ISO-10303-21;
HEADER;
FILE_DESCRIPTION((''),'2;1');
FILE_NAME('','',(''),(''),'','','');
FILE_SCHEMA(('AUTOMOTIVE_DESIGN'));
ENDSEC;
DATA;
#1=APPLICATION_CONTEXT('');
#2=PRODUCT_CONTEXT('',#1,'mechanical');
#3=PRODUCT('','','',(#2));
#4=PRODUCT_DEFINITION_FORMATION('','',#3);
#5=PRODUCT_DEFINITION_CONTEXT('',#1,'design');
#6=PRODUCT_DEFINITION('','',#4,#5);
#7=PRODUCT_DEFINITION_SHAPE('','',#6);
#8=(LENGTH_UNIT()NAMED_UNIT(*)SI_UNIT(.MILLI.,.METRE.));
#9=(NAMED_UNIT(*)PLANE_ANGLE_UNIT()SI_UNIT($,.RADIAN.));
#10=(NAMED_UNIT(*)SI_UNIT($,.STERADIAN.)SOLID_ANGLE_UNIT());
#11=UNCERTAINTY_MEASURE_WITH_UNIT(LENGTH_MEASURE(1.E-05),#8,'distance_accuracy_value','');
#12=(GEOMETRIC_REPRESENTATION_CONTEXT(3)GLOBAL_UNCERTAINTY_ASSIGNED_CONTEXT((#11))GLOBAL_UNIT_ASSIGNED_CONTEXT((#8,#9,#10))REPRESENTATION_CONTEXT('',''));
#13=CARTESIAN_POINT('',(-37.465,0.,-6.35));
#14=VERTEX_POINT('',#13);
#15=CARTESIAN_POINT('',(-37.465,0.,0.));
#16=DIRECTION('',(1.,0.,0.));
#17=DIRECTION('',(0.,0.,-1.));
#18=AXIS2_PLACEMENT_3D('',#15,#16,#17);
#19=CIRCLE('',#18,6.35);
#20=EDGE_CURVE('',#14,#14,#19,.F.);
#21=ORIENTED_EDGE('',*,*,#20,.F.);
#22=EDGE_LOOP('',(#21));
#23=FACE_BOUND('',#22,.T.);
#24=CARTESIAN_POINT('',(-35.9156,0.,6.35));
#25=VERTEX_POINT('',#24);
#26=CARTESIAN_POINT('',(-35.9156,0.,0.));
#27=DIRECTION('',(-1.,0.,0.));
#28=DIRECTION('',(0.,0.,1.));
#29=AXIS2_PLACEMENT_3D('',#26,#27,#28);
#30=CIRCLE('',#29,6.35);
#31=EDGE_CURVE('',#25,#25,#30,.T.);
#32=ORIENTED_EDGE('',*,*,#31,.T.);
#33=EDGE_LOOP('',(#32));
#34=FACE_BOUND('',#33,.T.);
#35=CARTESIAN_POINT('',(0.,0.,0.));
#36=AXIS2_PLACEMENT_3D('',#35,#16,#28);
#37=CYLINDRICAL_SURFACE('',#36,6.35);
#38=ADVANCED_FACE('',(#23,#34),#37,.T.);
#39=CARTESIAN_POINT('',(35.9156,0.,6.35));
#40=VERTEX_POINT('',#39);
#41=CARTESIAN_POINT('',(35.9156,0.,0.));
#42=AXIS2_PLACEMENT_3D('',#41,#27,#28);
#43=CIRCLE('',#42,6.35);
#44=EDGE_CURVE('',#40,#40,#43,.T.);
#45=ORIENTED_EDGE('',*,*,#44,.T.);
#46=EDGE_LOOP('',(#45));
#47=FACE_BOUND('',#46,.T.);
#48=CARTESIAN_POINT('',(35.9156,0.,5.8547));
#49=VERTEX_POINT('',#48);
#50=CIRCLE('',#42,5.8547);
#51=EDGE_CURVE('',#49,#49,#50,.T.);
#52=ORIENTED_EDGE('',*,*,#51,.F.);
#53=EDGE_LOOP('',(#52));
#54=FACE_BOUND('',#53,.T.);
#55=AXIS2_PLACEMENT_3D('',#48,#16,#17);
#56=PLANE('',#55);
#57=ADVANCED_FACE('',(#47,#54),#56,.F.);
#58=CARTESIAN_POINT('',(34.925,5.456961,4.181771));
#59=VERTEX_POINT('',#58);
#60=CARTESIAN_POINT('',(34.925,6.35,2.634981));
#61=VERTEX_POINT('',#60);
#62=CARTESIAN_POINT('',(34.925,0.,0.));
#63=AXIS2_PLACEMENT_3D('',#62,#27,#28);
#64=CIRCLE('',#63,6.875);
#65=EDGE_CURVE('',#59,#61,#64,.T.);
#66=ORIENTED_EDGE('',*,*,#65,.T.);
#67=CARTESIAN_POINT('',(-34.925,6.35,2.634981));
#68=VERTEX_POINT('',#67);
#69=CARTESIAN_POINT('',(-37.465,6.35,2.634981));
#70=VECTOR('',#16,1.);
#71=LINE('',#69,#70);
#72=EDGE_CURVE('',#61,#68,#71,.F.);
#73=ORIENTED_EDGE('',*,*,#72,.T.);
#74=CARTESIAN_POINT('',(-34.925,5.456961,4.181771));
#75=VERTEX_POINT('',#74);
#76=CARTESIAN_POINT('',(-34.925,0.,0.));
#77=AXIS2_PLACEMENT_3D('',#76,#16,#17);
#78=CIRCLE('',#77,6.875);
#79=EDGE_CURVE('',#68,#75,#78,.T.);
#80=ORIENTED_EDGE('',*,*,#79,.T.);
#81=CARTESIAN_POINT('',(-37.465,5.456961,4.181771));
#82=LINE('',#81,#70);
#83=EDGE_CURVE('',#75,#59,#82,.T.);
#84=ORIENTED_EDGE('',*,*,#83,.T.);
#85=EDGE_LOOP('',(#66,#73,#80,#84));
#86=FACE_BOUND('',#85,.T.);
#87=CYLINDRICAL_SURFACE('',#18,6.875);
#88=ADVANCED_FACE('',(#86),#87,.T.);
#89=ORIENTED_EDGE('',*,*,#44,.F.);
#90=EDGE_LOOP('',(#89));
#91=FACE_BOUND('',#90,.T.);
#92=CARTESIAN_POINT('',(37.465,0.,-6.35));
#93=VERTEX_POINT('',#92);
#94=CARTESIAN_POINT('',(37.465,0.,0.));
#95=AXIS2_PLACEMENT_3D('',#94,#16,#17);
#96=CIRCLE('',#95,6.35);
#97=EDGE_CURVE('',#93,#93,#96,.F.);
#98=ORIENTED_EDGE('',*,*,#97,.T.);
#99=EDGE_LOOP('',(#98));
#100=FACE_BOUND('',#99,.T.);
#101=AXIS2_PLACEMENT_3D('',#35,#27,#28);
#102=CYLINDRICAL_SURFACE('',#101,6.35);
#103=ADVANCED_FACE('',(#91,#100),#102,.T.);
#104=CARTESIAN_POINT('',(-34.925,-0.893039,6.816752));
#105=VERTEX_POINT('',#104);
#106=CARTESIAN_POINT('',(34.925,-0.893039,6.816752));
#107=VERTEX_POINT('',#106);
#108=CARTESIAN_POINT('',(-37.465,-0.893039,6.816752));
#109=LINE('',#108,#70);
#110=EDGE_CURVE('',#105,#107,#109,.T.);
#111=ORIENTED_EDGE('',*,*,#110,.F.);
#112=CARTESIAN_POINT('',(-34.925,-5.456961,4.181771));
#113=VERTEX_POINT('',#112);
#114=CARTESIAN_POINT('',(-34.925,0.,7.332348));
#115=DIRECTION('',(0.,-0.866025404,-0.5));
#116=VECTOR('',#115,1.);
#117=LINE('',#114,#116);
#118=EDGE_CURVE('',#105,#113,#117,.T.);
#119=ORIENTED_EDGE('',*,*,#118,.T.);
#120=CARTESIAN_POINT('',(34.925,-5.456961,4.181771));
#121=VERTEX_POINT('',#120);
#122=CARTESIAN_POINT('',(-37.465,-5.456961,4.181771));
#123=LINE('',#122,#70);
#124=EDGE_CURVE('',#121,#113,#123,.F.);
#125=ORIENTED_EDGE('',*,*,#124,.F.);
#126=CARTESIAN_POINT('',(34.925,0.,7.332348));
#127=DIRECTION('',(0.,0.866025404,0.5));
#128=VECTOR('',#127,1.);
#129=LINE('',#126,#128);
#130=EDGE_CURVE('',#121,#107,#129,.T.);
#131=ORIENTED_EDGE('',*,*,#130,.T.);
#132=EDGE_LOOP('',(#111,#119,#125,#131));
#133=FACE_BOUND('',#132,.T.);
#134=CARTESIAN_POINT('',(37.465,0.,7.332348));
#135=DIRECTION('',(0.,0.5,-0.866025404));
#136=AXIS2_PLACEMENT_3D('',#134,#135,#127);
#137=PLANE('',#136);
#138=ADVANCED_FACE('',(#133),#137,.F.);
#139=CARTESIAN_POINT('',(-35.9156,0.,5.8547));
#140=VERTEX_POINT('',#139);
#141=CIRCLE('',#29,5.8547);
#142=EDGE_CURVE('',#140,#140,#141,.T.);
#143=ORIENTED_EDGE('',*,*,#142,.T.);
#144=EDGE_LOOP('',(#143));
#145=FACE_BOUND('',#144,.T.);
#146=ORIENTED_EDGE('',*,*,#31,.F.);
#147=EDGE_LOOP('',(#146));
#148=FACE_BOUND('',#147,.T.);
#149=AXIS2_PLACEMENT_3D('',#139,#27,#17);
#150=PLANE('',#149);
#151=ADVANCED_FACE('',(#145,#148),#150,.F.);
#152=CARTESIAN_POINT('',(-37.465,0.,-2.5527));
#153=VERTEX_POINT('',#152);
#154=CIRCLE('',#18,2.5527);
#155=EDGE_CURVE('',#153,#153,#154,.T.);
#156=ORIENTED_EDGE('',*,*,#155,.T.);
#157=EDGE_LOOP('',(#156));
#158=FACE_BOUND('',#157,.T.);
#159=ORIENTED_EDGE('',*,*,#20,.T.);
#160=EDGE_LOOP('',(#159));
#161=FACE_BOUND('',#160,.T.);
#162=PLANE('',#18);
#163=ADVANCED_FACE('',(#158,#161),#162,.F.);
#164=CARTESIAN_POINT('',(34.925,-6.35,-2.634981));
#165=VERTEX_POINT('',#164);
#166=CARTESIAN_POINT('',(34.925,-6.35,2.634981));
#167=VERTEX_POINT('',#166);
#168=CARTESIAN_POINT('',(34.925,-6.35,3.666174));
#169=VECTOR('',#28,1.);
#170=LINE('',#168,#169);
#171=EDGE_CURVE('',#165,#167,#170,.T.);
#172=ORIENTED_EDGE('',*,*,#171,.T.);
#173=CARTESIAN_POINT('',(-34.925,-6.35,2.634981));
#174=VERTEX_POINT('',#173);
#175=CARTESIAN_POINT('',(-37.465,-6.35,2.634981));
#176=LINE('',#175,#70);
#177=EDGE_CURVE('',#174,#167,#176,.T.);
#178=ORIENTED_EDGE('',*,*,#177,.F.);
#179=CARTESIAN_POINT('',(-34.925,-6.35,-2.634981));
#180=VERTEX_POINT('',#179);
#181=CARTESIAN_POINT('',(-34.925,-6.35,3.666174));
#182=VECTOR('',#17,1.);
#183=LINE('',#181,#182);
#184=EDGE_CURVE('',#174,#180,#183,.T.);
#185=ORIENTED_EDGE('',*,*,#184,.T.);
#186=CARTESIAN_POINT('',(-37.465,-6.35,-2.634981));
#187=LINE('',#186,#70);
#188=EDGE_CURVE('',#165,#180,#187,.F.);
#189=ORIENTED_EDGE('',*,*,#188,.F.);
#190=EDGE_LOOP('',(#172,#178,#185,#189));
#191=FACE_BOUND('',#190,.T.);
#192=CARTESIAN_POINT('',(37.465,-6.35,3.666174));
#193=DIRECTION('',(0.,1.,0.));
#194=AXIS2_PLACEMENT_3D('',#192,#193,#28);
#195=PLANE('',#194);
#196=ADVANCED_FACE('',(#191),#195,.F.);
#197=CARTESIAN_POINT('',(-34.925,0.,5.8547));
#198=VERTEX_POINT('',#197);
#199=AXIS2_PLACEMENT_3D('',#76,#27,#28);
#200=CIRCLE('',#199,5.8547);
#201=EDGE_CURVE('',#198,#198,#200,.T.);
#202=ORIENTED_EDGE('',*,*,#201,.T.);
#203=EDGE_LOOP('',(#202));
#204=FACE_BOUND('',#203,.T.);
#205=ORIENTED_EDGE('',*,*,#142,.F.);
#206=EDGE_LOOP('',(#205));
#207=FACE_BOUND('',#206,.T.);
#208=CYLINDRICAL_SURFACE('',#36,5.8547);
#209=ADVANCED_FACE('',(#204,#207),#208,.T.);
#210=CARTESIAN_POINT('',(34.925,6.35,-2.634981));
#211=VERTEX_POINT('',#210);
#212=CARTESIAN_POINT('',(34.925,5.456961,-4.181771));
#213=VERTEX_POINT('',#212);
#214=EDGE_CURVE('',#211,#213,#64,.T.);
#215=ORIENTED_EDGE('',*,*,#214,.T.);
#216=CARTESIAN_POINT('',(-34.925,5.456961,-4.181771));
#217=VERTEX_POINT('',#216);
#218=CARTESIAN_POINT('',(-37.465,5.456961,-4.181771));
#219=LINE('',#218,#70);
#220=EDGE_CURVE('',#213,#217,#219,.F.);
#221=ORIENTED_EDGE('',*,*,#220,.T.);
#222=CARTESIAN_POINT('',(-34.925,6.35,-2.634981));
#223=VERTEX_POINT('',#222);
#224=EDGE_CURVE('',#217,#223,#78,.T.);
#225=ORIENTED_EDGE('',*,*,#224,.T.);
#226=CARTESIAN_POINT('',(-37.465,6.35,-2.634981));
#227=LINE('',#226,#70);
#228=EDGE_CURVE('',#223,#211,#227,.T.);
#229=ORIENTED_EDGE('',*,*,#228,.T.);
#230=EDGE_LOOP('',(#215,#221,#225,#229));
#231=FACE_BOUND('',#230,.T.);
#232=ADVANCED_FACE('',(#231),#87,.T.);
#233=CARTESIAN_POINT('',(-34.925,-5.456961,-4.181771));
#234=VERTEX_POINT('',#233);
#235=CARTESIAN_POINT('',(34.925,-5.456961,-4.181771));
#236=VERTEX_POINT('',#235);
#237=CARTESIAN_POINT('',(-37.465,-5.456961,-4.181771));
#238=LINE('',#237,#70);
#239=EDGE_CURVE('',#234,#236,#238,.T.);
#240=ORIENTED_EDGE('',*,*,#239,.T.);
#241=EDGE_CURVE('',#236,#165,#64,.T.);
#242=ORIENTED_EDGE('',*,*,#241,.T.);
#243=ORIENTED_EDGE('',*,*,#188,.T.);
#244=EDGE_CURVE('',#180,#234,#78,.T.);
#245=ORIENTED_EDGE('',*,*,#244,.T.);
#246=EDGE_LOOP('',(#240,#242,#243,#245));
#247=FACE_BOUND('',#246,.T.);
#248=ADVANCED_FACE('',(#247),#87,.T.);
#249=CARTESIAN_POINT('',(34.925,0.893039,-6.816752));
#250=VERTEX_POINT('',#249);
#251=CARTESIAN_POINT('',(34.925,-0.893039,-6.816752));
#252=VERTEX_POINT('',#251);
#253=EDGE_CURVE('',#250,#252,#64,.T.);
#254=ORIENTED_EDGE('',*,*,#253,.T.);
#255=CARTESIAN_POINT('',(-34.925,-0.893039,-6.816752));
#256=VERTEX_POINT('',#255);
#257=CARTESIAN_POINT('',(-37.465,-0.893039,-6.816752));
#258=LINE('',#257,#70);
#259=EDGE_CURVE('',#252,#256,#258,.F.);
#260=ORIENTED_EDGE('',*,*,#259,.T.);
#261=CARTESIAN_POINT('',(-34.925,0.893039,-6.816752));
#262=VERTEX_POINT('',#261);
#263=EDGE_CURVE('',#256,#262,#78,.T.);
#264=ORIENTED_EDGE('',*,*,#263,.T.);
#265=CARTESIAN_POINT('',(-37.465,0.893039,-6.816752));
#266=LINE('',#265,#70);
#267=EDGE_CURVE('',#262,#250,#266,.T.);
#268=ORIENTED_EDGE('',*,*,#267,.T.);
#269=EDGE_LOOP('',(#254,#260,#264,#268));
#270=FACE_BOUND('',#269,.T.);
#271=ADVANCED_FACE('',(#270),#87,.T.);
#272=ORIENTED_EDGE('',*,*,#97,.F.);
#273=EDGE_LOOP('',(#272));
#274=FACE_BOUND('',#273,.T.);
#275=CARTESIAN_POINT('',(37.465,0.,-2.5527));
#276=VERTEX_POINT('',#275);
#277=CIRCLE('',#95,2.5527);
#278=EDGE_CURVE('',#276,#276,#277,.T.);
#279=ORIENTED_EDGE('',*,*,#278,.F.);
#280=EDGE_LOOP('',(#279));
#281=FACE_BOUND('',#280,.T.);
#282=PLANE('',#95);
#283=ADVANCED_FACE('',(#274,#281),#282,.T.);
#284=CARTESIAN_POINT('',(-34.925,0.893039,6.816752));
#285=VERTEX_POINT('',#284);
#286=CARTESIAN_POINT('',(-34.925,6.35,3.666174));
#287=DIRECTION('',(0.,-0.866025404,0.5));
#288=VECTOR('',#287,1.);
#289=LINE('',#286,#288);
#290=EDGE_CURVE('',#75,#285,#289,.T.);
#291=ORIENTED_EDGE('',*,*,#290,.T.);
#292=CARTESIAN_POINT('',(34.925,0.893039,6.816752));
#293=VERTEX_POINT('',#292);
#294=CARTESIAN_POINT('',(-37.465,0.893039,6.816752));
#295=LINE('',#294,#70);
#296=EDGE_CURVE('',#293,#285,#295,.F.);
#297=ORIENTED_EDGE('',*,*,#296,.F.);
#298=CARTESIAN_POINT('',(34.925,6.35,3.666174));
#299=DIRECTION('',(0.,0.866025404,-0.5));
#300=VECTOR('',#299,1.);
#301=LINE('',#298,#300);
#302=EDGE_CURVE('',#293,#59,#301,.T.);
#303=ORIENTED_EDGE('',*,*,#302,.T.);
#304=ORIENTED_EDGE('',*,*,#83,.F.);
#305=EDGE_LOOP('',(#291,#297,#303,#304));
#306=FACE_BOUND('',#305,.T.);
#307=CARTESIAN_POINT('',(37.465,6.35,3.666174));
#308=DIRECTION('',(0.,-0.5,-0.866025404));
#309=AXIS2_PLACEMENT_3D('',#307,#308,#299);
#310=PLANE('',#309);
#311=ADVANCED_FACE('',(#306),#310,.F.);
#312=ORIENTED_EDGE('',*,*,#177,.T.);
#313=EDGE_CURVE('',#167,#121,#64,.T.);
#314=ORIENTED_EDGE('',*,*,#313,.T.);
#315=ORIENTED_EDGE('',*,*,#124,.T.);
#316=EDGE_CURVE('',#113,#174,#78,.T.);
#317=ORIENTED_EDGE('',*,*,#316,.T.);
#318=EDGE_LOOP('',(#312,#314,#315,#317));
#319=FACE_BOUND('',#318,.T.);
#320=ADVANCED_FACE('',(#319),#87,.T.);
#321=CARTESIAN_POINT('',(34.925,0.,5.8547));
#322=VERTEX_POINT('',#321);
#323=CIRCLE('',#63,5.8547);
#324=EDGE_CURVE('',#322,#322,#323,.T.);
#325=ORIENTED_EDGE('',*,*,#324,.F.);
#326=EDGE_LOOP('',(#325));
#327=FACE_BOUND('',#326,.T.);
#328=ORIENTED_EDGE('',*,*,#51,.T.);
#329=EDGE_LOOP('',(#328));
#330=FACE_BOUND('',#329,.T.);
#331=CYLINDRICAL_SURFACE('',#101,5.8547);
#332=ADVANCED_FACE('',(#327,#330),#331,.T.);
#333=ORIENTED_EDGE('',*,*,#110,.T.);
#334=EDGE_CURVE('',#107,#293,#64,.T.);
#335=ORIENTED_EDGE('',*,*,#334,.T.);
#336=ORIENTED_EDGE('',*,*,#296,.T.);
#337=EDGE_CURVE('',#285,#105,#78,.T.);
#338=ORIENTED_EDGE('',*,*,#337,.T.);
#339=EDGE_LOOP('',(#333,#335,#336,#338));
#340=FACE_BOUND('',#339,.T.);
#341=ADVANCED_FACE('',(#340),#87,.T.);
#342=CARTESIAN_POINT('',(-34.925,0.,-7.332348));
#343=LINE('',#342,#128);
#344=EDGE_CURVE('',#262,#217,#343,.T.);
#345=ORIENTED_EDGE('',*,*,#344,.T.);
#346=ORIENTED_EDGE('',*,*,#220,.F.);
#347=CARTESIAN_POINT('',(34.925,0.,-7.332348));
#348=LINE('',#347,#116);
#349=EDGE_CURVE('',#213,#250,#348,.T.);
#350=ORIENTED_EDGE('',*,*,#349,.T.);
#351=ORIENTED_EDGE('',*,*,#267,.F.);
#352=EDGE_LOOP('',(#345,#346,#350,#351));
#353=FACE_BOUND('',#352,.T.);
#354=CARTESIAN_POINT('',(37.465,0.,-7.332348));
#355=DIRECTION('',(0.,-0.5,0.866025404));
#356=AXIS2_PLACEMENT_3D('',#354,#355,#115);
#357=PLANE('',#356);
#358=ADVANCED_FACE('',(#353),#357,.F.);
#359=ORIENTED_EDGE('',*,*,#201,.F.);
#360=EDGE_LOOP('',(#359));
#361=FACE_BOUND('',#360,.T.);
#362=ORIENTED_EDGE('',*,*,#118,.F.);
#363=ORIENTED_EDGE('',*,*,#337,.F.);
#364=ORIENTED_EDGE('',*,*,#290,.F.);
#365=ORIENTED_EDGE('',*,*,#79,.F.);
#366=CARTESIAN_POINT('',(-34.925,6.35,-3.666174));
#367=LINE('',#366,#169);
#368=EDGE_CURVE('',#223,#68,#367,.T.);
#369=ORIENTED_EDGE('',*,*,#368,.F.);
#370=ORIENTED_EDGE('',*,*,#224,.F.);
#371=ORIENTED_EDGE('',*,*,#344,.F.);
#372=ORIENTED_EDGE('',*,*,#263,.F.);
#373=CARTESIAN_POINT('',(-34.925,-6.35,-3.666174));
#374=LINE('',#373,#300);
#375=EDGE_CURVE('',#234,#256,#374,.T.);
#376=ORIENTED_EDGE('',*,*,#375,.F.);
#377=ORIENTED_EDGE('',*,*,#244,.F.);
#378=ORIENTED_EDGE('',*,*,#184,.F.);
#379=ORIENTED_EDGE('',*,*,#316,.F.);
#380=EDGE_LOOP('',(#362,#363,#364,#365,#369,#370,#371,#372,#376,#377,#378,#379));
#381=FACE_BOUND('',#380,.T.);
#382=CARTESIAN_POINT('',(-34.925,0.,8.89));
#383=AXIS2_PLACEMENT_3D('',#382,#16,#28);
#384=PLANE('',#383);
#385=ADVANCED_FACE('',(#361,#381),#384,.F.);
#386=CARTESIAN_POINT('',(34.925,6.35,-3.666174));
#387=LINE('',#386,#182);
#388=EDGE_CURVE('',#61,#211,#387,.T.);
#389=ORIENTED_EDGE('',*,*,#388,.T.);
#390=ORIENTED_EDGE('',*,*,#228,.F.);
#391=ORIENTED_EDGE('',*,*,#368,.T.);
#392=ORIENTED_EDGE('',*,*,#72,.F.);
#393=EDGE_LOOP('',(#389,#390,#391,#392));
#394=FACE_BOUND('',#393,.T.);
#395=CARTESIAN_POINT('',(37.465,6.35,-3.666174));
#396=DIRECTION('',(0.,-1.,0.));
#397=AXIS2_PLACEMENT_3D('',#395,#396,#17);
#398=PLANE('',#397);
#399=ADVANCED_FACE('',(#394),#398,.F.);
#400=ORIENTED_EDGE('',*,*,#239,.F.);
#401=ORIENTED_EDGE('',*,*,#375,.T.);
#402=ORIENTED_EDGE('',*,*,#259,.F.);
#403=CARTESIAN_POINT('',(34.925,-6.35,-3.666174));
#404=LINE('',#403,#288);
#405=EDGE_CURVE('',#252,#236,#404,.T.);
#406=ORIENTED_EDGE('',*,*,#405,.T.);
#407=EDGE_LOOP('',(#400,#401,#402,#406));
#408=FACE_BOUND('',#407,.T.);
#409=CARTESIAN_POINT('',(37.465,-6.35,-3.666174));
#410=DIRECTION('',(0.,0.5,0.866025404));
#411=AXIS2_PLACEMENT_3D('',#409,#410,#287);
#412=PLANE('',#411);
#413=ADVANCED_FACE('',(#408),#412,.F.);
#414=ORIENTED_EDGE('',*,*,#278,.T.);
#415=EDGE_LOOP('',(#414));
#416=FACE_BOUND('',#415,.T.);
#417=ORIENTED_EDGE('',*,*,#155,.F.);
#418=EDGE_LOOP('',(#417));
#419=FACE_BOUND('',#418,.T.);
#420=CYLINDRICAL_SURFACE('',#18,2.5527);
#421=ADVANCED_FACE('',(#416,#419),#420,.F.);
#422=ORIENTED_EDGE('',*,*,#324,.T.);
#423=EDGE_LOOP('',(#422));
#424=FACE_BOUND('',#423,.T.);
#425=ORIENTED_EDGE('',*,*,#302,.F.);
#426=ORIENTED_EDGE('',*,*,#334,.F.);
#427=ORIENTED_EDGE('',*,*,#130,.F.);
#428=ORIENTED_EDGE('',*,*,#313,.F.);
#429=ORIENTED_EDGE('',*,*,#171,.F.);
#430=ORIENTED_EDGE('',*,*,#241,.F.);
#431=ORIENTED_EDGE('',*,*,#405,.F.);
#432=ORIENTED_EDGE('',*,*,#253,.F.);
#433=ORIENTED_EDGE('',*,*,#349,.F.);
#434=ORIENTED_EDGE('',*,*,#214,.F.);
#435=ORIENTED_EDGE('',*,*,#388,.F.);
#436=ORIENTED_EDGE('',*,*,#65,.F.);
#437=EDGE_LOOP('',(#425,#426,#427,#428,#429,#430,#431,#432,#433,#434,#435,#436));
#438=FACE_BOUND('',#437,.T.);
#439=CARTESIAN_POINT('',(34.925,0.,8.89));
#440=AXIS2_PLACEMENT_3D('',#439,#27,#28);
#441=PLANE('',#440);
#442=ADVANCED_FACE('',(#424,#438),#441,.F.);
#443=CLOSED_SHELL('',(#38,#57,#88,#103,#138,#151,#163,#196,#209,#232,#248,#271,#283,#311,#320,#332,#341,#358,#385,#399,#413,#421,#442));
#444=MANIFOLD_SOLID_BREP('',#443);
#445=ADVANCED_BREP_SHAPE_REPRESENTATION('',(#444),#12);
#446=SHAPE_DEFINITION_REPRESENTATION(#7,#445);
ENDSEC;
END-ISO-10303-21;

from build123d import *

# Parameters (mm, degrees)
BOSS_EXTRUDE1_DEPTH = 37.465
SKETCH3_R           = 7.332348419
SKETCH3_R_2         = 6.875
SKETCH3_R_3         = 2.5527
CUT_EXTRUDE1_DEPTH  = 76.555216453


with BuildPart() as part:
    # Sketch1 → Boss-Extrude1 (new, symmetric)
    with BuildSketch(Plane(origin=(0, 0, 0), x_dir=(0, 0, -1), z_dir=(1, 0, 0))):
        Polygon((7.332348419, 0), (3.666174209, 6.35), (-3.666174209, 6.35), (-7.332348419, 0), (-3.666174209, -6.35), (3.666174209, -6.35), align=None)
    extrude(amount=BOSS_EXTRUDE1_DEPTH, both=True)

    # Sketch2 → Cut-Revolve1 (revolve, cut)
    with BuildSketch(Plane(origin=(0, 0, 0), x_dir=(1, 0, 0), z_dir=(0, 1, 0))):
        Polygon((34.925, -5.8547), (35.9156, -5.8547), (35.9156, -6.35), (37.465, -6.35), (37.465, -8.89), (34.925, -8.89), align=None)
    cut_revolve1 = revolve(axis=Axis((0, 0, 0), (1, 0, 0)), mode=Mode.SUBTRACT)

    # Mirror1: Cut-Revolve1 across plane
    add(cut_revolve1.mirror(Plane(origin=(0, 0, 0), x_dir=(0, 0, 1), z_dir=(1, 0, 0))), mode=Mode.SUBTRACT)

    # Sketch3 → Cut-Extrude1 (cut, through all)
    # profile 1 of 2: a face of its own
    with BuildSketch(Plane(origin=(37.465, 0, 0), x_dir=(0, 0, -1), z_dir=(1, 0, 0))):
        Circle(SKETCH3_R)
        Circle(SKETCH3_R_2, mode=Mode.SUBTRACT)
    # profile 2 of 2: a face of its own
    with BuildSketch(Plane(origin=(37.465, 0, 0), x_dir=(0, 0, -1), z_dir=(1, 0, 0))):
        Circle(SKETCH3_R_3)
    extrude(amount=-CUT_EXTRUDE1_DEPTH, mode=Mode.SUBTRACT)


solid = part.part
